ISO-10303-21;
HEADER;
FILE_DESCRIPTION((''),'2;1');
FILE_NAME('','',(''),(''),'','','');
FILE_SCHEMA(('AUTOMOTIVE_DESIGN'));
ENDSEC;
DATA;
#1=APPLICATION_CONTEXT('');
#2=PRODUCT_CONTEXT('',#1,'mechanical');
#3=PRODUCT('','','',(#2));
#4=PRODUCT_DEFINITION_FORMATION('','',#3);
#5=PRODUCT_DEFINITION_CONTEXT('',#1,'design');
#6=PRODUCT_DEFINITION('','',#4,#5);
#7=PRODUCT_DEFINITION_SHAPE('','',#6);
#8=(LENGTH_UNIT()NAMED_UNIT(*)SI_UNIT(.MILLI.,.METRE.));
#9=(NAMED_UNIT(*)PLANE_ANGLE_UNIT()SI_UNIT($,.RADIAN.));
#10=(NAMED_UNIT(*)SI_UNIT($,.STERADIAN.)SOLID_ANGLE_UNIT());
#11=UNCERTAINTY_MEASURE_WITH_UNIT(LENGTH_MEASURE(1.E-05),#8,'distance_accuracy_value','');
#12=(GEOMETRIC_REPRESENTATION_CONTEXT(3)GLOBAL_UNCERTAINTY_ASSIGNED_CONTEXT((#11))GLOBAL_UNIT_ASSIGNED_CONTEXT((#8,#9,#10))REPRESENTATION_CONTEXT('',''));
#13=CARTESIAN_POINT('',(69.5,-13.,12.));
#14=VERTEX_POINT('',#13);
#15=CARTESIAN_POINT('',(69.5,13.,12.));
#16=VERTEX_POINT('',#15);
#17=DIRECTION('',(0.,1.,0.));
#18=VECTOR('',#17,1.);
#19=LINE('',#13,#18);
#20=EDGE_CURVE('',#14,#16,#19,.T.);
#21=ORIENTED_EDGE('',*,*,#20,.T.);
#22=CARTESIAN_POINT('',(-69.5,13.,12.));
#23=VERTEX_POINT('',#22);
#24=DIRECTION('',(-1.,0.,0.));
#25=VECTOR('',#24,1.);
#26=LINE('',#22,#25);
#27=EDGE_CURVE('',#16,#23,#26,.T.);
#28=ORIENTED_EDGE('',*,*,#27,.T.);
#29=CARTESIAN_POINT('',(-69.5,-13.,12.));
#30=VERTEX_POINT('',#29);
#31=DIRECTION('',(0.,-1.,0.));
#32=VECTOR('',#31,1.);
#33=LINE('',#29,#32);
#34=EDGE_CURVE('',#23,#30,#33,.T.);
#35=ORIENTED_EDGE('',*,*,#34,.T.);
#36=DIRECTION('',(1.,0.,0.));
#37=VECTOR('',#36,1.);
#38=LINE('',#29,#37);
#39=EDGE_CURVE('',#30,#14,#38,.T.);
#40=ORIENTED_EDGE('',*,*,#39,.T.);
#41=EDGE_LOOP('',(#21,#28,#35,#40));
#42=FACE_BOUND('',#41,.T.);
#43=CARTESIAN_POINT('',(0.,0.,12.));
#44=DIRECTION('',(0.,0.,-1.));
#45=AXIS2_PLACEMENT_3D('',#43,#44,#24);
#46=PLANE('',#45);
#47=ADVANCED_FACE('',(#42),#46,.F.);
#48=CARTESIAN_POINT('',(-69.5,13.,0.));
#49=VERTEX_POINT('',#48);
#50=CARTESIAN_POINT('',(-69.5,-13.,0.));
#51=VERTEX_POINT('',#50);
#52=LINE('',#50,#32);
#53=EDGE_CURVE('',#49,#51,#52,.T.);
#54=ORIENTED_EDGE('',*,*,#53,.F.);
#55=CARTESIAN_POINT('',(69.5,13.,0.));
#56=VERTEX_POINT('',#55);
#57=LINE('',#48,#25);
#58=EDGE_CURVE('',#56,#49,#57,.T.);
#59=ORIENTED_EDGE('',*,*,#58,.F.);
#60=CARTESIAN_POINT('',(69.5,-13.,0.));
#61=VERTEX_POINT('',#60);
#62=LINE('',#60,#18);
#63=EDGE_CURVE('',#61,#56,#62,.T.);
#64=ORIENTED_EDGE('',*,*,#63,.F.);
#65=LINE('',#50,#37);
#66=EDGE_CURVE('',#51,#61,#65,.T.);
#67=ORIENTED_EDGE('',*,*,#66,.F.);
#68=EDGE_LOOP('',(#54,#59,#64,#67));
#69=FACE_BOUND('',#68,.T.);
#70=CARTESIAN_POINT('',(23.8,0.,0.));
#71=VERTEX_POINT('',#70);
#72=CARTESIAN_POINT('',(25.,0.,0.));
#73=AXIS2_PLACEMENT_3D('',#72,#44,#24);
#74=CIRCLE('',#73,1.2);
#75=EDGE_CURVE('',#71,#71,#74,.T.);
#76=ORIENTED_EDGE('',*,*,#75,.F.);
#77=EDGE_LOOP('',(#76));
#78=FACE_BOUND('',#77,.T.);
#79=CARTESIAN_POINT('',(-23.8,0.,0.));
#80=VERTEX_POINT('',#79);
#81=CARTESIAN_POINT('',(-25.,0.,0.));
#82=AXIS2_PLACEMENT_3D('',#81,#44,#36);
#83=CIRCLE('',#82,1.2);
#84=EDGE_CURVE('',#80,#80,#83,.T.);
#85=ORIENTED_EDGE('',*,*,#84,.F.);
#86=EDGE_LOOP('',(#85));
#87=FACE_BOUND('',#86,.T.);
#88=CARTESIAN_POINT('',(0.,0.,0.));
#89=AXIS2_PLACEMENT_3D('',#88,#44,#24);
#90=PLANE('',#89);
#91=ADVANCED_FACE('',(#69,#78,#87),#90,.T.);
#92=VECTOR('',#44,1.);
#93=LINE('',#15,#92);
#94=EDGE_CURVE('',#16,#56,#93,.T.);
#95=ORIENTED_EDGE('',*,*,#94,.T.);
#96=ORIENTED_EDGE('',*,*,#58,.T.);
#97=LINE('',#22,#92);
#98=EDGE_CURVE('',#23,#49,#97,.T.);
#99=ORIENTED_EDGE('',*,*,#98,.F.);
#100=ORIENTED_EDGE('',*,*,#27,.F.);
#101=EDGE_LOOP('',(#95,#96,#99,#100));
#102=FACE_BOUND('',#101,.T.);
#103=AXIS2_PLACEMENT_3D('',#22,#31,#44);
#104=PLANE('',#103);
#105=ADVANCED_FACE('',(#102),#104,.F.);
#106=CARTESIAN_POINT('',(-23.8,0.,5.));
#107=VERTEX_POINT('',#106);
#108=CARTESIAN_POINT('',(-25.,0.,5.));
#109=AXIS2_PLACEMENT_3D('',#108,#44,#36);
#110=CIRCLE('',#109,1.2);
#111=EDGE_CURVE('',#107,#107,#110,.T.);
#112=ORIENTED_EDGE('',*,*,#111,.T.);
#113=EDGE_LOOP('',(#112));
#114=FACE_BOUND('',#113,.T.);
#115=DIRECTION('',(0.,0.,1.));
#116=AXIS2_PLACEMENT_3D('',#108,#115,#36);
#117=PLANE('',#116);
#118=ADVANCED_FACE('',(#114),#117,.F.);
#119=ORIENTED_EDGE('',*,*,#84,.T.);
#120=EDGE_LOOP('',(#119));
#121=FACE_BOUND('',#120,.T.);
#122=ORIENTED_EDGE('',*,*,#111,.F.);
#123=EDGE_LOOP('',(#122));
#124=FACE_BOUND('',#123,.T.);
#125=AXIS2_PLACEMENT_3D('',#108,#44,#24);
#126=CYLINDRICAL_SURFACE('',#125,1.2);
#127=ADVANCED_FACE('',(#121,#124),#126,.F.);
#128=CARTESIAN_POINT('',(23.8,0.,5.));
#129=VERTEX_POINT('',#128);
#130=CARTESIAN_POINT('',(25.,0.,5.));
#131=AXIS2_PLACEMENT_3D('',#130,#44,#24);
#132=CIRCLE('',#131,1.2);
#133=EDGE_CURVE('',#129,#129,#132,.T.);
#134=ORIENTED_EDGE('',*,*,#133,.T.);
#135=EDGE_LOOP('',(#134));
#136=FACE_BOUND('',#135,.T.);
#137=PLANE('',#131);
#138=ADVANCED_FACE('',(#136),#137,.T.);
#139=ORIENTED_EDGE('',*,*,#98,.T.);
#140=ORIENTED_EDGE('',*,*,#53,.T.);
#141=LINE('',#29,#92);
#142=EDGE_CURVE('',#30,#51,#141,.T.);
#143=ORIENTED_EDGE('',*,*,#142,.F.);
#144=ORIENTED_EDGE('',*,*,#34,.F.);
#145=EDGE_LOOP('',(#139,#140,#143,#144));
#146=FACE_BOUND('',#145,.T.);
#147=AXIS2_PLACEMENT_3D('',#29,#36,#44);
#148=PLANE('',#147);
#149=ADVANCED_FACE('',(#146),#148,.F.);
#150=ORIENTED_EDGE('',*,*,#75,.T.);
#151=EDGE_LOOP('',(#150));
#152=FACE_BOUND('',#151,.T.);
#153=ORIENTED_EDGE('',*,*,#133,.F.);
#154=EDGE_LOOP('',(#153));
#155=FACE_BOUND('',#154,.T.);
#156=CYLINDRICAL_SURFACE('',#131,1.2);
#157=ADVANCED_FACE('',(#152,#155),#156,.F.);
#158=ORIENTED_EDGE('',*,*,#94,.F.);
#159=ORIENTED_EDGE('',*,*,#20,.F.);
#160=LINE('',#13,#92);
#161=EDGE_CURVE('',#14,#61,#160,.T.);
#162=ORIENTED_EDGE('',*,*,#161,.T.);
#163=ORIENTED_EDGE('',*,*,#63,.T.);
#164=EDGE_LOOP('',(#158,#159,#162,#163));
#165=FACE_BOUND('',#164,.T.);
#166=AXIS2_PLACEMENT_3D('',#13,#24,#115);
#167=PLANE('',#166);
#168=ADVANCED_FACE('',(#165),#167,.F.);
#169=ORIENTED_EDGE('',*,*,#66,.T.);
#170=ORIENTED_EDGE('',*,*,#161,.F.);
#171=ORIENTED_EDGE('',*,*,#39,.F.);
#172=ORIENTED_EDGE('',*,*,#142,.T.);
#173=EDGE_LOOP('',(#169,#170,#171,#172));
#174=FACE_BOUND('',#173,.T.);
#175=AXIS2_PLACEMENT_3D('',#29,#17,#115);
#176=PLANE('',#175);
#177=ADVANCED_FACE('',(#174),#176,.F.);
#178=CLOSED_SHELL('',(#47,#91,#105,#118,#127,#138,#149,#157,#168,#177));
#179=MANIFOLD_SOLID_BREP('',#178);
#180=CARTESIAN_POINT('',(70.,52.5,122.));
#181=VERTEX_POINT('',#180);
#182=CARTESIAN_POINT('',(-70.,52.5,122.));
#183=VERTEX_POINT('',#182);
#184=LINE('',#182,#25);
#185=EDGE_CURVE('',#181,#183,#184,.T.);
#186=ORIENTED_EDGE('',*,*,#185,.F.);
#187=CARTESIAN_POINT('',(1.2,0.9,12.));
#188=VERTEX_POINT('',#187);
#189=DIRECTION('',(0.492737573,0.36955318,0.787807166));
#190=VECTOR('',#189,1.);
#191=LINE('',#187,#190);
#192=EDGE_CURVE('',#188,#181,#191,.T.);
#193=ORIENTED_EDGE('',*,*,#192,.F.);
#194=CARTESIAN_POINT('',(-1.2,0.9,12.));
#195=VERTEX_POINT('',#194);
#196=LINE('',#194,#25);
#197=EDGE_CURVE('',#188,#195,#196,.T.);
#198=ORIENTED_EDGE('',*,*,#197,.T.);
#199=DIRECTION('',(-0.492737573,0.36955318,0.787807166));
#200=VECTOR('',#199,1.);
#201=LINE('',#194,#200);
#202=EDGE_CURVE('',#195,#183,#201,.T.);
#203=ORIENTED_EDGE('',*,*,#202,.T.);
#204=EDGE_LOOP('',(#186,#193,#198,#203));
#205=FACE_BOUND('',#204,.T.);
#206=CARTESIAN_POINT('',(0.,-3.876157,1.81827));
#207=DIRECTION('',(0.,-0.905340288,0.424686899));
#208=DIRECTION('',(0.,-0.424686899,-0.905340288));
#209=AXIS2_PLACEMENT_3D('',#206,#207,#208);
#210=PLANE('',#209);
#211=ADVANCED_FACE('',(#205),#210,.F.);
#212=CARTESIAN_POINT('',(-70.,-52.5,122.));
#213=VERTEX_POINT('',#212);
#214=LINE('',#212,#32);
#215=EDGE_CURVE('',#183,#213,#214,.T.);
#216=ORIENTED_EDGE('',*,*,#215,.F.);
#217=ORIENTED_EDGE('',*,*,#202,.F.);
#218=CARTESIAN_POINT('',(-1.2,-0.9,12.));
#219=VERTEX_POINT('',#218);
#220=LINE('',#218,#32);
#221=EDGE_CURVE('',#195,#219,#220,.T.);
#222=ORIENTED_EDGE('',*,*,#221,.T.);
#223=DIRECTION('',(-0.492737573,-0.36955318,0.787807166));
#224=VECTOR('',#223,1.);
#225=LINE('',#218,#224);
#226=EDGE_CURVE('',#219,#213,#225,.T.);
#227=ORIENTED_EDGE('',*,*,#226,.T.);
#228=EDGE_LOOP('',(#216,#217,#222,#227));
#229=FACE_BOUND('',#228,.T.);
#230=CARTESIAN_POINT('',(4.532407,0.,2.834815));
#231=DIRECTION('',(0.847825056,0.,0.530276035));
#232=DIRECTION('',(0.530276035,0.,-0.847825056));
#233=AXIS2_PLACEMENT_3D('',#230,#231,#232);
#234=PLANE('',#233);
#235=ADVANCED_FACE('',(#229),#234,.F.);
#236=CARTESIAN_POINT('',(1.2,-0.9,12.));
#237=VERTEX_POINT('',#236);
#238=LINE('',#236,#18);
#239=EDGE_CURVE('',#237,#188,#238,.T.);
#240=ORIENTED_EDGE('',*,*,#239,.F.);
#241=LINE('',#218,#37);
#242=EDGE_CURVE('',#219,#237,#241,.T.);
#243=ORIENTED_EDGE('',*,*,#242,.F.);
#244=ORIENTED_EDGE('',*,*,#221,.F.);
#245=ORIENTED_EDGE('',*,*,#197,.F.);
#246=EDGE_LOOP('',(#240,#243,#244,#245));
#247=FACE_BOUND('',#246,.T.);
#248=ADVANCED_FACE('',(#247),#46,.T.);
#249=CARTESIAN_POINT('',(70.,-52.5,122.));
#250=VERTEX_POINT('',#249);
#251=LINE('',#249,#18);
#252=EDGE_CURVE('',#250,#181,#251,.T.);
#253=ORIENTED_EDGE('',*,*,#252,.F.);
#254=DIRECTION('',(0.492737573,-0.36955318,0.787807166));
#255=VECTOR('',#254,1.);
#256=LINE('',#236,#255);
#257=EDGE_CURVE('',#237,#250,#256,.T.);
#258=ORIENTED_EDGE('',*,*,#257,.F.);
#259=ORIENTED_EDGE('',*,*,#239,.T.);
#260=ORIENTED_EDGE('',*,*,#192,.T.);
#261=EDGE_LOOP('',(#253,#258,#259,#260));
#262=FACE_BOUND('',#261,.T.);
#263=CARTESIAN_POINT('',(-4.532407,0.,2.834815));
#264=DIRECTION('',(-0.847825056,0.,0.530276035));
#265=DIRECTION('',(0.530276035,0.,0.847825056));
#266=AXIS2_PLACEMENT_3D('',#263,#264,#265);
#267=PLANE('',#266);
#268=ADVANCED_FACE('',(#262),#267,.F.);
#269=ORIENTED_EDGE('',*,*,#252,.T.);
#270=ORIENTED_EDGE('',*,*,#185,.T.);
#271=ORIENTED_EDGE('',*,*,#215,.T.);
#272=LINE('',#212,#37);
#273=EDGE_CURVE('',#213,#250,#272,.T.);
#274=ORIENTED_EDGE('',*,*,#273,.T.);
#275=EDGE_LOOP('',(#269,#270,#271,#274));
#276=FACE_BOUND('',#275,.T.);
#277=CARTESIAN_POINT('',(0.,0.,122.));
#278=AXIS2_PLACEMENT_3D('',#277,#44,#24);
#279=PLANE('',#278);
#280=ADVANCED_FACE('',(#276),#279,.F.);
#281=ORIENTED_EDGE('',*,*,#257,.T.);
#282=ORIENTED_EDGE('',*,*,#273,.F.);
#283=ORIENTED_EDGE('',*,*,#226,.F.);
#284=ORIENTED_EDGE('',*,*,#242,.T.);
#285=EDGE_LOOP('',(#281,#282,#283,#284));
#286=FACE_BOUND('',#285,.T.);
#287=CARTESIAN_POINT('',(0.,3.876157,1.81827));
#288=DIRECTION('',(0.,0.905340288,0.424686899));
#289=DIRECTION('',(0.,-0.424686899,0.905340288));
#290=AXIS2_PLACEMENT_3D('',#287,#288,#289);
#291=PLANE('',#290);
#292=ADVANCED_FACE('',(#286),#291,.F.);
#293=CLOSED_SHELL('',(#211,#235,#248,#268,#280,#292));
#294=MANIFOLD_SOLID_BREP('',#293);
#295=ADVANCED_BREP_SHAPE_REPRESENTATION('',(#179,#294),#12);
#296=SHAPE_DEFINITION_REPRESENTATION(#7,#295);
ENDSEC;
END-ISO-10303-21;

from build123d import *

# Parameters (mm, degrees)
SKETCH_1_W          = 139
SKETCH_1_H          = 26
EXTRUDE_1_DEPTH     = 12
SKETCH_2_R          = 1.2
CUT_EXTRUDE_1_DEPTH = 5


with BuildPart() as part:
    # 草图1 → 凸台-拉伸1 (new body)
    with BuildSketch(Plane.XY):
        Rectangle(SKETCH_1_W, SKETCH_1_H)
    extrude(amount=EXTRUDE_1_DEPTH)

    # 草图2 → 切除-拉伸1 (cut)
    with BuildSketch(Plane(origin=(0, 0, 0), x_dir=(-1, 0, 0), z_dir=(0, 0, -1))):
        with Locations((-25, 0)):
            Circle(SKETCH_2_R)
        with Locations(Location((25, 0, 0), (0, 0, 180))):
            Circle(SKETCH_2_R)
    extrude(amount=-CUT_EXTRUDE_1_DEPTH, mode=Mode.SUBTRACT)


with BuildPart() as body_2:
    # 草图5 → 放样1 section 0
    with BuildSketch(Plane.XY.offset(12)):
        with BuildLine():
            Line((-1.2, -0.9), (1.2, -0.9))
            Line((1.2, -0.9), (1.2, 0.9))
            Line((1.2, 0.9), (-1.2, 0.9))
            Line((-1.2, 0.9), (-1.2, -0.9))
        make_face()
    # 草图4 → 放样1 section 1
    with BuildSketch(Plane.XY.offset(122)):
        with BuildLine():
            Line((-70, -52.5), (70, -52.5))
            Line((70, -52.5), (70, 52.5))
            Line((70, 52.5), (-70, 52.5))
            Line((-70, 52.5), (-70, -52.5))
        make_face()
    loft()


solid = Compound([part.part, body_2.part])
